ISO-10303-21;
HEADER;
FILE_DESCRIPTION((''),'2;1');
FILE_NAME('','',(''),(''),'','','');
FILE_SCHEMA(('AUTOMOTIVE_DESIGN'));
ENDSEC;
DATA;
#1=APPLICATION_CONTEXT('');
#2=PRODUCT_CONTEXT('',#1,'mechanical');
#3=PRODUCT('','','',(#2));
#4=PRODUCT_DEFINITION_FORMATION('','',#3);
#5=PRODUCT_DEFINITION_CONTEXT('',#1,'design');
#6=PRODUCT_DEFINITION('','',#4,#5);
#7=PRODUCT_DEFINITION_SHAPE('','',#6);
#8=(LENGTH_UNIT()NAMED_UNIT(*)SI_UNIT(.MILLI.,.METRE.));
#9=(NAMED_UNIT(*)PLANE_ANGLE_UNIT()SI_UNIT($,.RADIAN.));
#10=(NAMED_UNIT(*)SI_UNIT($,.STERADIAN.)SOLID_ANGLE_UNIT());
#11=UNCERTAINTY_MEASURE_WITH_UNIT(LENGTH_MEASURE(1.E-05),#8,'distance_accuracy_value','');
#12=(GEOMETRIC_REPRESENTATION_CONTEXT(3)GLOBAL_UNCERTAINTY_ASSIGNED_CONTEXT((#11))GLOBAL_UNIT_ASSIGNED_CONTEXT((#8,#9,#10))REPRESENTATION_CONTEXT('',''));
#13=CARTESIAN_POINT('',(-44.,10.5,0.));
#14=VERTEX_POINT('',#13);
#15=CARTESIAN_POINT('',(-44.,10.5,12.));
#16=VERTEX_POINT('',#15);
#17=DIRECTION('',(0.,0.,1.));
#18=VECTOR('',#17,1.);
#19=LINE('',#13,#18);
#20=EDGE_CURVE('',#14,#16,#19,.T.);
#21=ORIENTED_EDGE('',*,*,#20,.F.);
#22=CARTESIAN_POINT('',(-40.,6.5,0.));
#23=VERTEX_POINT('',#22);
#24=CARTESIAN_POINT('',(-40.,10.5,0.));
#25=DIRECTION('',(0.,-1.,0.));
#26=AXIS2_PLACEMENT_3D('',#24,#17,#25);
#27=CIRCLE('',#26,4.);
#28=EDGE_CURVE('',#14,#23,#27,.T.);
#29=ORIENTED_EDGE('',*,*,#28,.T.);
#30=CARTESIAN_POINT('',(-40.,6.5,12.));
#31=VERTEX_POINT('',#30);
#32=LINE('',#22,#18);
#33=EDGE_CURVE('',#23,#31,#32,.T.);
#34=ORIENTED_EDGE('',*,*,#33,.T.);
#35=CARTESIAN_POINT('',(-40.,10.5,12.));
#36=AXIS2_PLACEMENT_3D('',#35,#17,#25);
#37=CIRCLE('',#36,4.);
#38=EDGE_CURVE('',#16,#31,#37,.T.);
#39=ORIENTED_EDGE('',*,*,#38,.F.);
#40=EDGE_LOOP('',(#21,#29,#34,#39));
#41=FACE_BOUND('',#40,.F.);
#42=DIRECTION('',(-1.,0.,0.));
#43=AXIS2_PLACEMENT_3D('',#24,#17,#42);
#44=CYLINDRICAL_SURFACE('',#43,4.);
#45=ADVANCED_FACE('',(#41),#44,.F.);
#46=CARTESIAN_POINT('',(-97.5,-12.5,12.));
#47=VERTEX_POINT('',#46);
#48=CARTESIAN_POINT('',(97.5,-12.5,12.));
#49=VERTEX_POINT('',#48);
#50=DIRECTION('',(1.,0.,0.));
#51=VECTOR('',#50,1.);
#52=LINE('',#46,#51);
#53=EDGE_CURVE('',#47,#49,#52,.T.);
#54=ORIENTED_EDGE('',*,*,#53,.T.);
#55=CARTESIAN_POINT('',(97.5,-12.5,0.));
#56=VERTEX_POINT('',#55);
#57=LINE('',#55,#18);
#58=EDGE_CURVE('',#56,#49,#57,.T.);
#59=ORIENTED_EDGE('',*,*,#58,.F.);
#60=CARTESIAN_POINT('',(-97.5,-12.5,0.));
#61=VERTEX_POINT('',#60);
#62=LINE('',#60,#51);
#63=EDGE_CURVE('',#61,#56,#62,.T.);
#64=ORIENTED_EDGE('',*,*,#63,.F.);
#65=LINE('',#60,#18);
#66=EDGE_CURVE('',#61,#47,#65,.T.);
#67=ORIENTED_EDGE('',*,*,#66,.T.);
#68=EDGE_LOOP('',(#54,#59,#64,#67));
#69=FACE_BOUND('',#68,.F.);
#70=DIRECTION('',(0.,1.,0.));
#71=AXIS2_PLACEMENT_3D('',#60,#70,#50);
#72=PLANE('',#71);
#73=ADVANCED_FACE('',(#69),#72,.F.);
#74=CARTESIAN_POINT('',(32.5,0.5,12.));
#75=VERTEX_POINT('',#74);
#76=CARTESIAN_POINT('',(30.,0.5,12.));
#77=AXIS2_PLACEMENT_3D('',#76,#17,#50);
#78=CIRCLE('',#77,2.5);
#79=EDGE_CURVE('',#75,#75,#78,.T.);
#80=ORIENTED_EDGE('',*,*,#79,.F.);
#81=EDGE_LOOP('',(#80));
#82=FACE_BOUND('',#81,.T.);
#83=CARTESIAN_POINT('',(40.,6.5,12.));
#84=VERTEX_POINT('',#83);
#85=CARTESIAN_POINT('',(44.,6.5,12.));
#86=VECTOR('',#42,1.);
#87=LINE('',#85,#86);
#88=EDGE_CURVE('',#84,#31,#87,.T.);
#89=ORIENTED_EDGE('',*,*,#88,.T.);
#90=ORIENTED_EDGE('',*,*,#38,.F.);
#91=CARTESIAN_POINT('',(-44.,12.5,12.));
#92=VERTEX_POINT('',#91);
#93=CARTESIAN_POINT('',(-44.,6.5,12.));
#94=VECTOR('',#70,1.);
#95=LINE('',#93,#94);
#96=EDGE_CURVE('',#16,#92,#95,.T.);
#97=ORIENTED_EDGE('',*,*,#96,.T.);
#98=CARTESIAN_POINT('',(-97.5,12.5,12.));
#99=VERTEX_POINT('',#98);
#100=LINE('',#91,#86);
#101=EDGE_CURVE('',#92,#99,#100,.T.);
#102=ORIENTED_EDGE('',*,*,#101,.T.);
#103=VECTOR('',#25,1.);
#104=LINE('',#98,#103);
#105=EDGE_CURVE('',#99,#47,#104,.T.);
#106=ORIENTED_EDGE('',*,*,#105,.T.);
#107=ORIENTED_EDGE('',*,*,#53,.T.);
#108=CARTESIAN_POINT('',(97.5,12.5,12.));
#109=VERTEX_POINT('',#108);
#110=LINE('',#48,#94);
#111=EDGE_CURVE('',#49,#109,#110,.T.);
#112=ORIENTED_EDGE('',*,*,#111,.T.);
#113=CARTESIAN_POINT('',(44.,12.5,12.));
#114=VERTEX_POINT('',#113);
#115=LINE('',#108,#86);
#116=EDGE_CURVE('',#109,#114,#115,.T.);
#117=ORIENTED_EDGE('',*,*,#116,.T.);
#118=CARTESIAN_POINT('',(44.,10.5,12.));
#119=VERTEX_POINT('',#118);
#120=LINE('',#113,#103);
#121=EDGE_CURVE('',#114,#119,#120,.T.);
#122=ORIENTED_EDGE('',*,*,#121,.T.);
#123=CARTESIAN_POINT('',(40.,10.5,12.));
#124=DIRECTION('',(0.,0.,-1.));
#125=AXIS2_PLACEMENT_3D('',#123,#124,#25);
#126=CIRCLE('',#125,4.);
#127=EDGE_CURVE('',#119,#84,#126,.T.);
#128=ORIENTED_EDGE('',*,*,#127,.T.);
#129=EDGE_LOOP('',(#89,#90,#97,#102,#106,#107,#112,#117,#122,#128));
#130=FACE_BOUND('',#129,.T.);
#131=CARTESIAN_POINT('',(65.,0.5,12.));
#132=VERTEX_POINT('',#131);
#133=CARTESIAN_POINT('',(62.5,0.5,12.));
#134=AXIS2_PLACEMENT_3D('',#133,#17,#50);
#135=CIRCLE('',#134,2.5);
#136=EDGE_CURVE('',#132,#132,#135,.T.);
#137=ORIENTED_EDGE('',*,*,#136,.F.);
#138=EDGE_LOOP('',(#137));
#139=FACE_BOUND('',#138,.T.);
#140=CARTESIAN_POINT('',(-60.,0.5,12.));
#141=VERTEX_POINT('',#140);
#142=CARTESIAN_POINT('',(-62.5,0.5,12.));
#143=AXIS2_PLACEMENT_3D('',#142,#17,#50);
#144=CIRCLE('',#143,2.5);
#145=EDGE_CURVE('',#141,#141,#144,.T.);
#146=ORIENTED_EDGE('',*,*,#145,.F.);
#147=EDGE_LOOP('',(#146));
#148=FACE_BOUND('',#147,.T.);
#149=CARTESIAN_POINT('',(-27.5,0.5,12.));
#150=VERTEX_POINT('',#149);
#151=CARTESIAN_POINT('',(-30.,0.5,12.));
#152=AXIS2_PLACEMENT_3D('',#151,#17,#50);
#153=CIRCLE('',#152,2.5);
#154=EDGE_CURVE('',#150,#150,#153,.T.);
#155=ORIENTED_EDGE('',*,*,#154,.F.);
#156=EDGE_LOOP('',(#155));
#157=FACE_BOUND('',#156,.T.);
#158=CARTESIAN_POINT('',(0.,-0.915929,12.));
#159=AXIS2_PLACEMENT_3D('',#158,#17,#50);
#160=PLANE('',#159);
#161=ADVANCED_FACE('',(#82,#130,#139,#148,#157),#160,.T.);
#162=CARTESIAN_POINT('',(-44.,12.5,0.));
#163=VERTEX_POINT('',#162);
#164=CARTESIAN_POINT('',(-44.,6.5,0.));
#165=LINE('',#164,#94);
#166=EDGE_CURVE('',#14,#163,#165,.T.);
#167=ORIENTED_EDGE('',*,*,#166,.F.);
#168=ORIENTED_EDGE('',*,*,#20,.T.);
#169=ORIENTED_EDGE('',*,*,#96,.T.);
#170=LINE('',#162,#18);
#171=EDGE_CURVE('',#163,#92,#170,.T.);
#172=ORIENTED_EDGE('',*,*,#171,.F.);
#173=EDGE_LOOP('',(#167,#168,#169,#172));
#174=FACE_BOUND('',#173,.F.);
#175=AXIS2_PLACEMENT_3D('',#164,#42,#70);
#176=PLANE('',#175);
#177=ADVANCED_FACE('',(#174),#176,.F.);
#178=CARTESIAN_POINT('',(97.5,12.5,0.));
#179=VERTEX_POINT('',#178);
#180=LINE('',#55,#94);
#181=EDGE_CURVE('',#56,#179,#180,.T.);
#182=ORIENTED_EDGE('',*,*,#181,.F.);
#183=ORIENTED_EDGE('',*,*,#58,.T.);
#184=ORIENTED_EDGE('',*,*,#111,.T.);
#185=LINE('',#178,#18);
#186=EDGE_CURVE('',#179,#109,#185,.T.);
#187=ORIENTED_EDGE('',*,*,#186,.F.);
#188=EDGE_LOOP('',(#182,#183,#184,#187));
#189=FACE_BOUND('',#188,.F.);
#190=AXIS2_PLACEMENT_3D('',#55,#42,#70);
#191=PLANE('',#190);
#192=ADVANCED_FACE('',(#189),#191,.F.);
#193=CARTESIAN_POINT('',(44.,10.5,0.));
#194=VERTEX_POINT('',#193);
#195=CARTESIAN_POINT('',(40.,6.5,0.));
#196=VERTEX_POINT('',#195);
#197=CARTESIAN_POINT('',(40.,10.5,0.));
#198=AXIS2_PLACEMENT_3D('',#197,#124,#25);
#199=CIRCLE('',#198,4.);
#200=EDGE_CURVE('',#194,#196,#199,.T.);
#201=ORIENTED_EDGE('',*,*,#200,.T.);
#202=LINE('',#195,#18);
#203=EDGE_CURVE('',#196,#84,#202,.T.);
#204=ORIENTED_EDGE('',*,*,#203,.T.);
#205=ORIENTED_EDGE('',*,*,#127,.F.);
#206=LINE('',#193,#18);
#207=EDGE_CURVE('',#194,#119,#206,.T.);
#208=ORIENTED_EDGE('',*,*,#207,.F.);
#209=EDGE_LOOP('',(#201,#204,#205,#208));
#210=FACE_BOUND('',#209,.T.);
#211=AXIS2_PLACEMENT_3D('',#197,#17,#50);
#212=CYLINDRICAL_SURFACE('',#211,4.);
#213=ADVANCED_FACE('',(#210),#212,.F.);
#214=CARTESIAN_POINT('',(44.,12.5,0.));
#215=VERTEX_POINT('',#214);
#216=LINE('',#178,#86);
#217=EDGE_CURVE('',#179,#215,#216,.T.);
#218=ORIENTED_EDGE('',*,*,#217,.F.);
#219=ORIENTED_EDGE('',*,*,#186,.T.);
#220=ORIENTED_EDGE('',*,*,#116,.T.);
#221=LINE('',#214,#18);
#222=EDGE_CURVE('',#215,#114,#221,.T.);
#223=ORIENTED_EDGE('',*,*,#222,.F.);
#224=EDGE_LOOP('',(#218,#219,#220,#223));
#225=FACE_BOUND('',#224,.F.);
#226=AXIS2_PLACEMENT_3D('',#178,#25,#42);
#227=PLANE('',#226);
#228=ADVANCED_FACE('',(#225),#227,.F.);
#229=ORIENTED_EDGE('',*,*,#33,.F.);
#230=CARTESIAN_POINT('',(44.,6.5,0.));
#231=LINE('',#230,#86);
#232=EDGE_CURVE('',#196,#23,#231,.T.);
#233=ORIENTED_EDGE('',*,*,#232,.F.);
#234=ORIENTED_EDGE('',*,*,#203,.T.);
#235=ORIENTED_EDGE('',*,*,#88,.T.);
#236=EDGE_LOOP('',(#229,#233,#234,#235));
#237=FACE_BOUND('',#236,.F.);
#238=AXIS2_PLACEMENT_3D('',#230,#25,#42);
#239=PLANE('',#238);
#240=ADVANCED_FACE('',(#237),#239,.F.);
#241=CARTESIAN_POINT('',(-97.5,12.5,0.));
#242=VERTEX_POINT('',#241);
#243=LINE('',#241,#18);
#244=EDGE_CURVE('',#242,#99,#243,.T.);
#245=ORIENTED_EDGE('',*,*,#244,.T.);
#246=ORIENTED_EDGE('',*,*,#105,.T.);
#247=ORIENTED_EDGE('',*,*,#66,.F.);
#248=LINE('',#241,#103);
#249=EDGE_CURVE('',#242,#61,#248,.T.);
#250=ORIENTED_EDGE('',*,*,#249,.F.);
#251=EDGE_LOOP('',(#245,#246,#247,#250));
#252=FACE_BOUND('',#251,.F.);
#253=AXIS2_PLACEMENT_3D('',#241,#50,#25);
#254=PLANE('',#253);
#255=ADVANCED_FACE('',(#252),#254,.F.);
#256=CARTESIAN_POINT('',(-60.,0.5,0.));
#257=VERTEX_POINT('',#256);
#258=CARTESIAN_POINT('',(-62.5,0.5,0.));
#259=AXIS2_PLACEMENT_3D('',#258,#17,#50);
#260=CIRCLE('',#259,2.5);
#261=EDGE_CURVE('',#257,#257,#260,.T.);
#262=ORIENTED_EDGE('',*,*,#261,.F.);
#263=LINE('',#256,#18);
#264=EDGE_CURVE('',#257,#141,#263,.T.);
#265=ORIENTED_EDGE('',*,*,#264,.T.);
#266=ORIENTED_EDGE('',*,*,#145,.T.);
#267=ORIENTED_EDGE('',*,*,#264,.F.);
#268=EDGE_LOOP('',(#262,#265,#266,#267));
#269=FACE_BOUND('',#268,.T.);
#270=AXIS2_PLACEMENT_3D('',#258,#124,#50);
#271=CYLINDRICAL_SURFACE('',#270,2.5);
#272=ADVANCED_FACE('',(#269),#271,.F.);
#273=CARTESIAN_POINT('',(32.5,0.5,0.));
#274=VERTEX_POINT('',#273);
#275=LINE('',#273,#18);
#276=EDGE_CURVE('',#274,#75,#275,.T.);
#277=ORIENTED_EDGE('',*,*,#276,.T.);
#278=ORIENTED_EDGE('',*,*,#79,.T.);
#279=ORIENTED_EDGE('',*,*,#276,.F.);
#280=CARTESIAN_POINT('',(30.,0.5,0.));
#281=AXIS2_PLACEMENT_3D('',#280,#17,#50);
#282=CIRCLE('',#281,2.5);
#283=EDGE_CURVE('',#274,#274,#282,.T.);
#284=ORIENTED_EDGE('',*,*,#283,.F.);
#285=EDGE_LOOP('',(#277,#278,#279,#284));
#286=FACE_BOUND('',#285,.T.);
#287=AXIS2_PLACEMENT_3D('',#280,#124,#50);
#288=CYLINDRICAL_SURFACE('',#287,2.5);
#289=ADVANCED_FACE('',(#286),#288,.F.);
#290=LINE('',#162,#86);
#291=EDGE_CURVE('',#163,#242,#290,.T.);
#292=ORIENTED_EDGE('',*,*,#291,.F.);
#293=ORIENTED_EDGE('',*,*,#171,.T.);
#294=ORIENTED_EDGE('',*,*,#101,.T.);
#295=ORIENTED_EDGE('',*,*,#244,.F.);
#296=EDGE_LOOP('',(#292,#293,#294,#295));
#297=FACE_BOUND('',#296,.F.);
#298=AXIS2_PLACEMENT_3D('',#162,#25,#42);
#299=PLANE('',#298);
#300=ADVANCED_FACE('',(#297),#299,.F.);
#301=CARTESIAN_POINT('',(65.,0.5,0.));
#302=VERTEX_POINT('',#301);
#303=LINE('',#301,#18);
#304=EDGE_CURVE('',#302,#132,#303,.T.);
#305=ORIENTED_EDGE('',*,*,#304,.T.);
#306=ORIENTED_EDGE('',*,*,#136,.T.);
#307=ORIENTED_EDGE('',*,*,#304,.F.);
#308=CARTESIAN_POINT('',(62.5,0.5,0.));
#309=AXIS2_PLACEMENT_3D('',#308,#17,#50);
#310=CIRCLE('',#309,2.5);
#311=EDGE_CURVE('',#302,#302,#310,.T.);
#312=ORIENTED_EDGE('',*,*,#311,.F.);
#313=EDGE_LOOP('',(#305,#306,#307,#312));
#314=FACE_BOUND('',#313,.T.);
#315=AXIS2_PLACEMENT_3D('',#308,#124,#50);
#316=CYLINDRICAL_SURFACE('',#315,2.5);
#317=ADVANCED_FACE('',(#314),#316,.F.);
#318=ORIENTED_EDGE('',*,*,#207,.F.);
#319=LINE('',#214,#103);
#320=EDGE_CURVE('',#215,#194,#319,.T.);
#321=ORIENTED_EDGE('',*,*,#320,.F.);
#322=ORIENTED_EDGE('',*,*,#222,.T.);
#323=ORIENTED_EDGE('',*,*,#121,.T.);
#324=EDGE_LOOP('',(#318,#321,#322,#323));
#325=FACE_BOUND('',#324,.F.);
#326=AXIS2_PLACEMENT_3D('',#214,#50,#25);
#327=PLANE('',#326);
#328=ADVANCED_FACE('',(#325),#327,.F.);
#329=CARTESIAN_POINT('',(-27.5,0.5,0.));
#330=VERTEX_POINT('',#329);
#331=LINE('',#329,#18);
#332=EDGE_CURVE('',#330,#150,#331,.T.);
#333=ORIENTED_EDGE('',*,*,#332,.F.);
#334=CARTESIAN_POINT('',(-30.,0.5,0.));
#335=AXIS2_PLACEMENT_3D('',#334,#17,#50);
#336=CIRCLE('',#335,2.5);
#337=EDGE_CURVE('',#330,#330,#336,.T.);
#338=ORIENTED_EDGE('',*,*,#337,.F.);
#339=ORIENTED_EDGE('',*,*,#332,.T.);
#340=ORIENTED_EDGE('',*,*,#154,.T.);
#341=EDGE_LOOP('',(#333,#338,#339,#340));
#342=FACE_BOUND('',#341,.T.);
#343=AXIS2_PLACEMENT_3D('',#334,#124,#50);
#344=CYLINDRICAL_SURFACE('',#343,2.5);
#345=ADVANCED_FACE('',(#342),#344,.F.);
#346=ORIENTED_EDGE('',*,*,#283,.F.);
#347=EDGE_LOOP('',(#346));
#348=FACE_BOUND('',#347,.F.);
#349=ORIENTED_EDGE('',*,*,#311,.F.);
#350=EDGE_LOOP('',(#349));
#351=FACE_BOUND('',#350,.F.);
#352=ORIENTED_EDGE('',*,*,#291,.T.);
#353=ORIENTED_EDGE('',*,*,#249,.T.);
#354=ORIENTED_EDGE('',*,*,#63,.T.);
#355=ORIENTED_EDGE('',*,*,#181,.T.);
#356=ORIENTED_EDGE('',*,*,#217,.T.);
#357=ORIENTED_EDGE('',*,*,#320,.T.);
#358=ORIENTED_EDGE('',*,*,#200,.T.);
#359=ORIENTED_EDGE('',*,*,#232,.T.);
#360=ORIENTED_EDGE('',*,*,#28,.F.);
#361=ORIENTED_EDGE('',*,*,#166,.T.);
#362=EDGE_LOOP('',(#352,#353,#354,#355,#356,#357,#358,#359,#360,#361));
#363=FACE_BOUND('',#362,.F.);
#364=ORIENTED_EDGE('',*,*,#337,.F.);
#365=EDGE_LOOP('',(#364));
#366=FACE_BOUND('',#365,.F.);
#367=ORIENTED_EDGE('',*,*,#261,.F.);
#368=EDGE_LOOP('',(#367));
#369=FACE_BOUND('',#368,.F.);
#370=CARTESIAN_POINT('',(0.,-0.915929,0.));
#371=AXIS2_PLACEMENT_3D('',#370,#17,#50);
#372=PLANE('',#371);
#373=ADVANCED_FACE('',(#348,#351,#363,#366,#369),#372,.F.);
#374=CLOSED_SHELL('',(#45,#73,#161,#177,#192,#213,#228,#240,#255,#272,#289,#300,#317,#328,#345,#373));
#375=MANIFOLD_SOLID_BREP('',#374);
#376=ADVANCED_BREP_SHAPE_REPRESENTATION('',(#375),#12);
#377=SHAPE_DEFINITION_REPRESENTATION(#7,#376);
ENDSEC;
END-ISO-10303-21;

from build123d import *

# Parameters (mm, degrees)
F0_R     = 2.5
F1_DEPTH = 12
F2_R     = 4


with BuildPart() as f1:
    # F0 (on Top) → F1 (new body)
    with BuildSketch(Plane.XY):
        Polygon((-97.5, -12.5), (97.5, -12.5), (97.5, 12.5), (44, 12.5), (44, 6.5), (-44, 6.5), (-44, 12.5), (-97.5, 12.5), align=None)
        with Locations((-62.5, 0.5)):
            Circle(F0_R, mode=Mode.SUBTRACT)
        with Locations((-30, 0.5)):
            Circle(F0_R, mode=Mode.SUBTRACT)
        with Locations((30, 0.5)):
            Circle(F0_R, mode=Mode.SUBTRACT)
        with Locations((62.5, 0.5)):
            Circle(F0_R, mode=Mode.SUBTRACT)
    extrude(amount=F1_DEPTH)

    # F2
    f2_edges = [f1.edges().sort_by_distance(p)[0] for p in [
        (-44, 6.5, 6),
        (44, 6.5, 6),
    ]]
    fillet(f2_edges, radius=F2_R)


solid = f1.part
